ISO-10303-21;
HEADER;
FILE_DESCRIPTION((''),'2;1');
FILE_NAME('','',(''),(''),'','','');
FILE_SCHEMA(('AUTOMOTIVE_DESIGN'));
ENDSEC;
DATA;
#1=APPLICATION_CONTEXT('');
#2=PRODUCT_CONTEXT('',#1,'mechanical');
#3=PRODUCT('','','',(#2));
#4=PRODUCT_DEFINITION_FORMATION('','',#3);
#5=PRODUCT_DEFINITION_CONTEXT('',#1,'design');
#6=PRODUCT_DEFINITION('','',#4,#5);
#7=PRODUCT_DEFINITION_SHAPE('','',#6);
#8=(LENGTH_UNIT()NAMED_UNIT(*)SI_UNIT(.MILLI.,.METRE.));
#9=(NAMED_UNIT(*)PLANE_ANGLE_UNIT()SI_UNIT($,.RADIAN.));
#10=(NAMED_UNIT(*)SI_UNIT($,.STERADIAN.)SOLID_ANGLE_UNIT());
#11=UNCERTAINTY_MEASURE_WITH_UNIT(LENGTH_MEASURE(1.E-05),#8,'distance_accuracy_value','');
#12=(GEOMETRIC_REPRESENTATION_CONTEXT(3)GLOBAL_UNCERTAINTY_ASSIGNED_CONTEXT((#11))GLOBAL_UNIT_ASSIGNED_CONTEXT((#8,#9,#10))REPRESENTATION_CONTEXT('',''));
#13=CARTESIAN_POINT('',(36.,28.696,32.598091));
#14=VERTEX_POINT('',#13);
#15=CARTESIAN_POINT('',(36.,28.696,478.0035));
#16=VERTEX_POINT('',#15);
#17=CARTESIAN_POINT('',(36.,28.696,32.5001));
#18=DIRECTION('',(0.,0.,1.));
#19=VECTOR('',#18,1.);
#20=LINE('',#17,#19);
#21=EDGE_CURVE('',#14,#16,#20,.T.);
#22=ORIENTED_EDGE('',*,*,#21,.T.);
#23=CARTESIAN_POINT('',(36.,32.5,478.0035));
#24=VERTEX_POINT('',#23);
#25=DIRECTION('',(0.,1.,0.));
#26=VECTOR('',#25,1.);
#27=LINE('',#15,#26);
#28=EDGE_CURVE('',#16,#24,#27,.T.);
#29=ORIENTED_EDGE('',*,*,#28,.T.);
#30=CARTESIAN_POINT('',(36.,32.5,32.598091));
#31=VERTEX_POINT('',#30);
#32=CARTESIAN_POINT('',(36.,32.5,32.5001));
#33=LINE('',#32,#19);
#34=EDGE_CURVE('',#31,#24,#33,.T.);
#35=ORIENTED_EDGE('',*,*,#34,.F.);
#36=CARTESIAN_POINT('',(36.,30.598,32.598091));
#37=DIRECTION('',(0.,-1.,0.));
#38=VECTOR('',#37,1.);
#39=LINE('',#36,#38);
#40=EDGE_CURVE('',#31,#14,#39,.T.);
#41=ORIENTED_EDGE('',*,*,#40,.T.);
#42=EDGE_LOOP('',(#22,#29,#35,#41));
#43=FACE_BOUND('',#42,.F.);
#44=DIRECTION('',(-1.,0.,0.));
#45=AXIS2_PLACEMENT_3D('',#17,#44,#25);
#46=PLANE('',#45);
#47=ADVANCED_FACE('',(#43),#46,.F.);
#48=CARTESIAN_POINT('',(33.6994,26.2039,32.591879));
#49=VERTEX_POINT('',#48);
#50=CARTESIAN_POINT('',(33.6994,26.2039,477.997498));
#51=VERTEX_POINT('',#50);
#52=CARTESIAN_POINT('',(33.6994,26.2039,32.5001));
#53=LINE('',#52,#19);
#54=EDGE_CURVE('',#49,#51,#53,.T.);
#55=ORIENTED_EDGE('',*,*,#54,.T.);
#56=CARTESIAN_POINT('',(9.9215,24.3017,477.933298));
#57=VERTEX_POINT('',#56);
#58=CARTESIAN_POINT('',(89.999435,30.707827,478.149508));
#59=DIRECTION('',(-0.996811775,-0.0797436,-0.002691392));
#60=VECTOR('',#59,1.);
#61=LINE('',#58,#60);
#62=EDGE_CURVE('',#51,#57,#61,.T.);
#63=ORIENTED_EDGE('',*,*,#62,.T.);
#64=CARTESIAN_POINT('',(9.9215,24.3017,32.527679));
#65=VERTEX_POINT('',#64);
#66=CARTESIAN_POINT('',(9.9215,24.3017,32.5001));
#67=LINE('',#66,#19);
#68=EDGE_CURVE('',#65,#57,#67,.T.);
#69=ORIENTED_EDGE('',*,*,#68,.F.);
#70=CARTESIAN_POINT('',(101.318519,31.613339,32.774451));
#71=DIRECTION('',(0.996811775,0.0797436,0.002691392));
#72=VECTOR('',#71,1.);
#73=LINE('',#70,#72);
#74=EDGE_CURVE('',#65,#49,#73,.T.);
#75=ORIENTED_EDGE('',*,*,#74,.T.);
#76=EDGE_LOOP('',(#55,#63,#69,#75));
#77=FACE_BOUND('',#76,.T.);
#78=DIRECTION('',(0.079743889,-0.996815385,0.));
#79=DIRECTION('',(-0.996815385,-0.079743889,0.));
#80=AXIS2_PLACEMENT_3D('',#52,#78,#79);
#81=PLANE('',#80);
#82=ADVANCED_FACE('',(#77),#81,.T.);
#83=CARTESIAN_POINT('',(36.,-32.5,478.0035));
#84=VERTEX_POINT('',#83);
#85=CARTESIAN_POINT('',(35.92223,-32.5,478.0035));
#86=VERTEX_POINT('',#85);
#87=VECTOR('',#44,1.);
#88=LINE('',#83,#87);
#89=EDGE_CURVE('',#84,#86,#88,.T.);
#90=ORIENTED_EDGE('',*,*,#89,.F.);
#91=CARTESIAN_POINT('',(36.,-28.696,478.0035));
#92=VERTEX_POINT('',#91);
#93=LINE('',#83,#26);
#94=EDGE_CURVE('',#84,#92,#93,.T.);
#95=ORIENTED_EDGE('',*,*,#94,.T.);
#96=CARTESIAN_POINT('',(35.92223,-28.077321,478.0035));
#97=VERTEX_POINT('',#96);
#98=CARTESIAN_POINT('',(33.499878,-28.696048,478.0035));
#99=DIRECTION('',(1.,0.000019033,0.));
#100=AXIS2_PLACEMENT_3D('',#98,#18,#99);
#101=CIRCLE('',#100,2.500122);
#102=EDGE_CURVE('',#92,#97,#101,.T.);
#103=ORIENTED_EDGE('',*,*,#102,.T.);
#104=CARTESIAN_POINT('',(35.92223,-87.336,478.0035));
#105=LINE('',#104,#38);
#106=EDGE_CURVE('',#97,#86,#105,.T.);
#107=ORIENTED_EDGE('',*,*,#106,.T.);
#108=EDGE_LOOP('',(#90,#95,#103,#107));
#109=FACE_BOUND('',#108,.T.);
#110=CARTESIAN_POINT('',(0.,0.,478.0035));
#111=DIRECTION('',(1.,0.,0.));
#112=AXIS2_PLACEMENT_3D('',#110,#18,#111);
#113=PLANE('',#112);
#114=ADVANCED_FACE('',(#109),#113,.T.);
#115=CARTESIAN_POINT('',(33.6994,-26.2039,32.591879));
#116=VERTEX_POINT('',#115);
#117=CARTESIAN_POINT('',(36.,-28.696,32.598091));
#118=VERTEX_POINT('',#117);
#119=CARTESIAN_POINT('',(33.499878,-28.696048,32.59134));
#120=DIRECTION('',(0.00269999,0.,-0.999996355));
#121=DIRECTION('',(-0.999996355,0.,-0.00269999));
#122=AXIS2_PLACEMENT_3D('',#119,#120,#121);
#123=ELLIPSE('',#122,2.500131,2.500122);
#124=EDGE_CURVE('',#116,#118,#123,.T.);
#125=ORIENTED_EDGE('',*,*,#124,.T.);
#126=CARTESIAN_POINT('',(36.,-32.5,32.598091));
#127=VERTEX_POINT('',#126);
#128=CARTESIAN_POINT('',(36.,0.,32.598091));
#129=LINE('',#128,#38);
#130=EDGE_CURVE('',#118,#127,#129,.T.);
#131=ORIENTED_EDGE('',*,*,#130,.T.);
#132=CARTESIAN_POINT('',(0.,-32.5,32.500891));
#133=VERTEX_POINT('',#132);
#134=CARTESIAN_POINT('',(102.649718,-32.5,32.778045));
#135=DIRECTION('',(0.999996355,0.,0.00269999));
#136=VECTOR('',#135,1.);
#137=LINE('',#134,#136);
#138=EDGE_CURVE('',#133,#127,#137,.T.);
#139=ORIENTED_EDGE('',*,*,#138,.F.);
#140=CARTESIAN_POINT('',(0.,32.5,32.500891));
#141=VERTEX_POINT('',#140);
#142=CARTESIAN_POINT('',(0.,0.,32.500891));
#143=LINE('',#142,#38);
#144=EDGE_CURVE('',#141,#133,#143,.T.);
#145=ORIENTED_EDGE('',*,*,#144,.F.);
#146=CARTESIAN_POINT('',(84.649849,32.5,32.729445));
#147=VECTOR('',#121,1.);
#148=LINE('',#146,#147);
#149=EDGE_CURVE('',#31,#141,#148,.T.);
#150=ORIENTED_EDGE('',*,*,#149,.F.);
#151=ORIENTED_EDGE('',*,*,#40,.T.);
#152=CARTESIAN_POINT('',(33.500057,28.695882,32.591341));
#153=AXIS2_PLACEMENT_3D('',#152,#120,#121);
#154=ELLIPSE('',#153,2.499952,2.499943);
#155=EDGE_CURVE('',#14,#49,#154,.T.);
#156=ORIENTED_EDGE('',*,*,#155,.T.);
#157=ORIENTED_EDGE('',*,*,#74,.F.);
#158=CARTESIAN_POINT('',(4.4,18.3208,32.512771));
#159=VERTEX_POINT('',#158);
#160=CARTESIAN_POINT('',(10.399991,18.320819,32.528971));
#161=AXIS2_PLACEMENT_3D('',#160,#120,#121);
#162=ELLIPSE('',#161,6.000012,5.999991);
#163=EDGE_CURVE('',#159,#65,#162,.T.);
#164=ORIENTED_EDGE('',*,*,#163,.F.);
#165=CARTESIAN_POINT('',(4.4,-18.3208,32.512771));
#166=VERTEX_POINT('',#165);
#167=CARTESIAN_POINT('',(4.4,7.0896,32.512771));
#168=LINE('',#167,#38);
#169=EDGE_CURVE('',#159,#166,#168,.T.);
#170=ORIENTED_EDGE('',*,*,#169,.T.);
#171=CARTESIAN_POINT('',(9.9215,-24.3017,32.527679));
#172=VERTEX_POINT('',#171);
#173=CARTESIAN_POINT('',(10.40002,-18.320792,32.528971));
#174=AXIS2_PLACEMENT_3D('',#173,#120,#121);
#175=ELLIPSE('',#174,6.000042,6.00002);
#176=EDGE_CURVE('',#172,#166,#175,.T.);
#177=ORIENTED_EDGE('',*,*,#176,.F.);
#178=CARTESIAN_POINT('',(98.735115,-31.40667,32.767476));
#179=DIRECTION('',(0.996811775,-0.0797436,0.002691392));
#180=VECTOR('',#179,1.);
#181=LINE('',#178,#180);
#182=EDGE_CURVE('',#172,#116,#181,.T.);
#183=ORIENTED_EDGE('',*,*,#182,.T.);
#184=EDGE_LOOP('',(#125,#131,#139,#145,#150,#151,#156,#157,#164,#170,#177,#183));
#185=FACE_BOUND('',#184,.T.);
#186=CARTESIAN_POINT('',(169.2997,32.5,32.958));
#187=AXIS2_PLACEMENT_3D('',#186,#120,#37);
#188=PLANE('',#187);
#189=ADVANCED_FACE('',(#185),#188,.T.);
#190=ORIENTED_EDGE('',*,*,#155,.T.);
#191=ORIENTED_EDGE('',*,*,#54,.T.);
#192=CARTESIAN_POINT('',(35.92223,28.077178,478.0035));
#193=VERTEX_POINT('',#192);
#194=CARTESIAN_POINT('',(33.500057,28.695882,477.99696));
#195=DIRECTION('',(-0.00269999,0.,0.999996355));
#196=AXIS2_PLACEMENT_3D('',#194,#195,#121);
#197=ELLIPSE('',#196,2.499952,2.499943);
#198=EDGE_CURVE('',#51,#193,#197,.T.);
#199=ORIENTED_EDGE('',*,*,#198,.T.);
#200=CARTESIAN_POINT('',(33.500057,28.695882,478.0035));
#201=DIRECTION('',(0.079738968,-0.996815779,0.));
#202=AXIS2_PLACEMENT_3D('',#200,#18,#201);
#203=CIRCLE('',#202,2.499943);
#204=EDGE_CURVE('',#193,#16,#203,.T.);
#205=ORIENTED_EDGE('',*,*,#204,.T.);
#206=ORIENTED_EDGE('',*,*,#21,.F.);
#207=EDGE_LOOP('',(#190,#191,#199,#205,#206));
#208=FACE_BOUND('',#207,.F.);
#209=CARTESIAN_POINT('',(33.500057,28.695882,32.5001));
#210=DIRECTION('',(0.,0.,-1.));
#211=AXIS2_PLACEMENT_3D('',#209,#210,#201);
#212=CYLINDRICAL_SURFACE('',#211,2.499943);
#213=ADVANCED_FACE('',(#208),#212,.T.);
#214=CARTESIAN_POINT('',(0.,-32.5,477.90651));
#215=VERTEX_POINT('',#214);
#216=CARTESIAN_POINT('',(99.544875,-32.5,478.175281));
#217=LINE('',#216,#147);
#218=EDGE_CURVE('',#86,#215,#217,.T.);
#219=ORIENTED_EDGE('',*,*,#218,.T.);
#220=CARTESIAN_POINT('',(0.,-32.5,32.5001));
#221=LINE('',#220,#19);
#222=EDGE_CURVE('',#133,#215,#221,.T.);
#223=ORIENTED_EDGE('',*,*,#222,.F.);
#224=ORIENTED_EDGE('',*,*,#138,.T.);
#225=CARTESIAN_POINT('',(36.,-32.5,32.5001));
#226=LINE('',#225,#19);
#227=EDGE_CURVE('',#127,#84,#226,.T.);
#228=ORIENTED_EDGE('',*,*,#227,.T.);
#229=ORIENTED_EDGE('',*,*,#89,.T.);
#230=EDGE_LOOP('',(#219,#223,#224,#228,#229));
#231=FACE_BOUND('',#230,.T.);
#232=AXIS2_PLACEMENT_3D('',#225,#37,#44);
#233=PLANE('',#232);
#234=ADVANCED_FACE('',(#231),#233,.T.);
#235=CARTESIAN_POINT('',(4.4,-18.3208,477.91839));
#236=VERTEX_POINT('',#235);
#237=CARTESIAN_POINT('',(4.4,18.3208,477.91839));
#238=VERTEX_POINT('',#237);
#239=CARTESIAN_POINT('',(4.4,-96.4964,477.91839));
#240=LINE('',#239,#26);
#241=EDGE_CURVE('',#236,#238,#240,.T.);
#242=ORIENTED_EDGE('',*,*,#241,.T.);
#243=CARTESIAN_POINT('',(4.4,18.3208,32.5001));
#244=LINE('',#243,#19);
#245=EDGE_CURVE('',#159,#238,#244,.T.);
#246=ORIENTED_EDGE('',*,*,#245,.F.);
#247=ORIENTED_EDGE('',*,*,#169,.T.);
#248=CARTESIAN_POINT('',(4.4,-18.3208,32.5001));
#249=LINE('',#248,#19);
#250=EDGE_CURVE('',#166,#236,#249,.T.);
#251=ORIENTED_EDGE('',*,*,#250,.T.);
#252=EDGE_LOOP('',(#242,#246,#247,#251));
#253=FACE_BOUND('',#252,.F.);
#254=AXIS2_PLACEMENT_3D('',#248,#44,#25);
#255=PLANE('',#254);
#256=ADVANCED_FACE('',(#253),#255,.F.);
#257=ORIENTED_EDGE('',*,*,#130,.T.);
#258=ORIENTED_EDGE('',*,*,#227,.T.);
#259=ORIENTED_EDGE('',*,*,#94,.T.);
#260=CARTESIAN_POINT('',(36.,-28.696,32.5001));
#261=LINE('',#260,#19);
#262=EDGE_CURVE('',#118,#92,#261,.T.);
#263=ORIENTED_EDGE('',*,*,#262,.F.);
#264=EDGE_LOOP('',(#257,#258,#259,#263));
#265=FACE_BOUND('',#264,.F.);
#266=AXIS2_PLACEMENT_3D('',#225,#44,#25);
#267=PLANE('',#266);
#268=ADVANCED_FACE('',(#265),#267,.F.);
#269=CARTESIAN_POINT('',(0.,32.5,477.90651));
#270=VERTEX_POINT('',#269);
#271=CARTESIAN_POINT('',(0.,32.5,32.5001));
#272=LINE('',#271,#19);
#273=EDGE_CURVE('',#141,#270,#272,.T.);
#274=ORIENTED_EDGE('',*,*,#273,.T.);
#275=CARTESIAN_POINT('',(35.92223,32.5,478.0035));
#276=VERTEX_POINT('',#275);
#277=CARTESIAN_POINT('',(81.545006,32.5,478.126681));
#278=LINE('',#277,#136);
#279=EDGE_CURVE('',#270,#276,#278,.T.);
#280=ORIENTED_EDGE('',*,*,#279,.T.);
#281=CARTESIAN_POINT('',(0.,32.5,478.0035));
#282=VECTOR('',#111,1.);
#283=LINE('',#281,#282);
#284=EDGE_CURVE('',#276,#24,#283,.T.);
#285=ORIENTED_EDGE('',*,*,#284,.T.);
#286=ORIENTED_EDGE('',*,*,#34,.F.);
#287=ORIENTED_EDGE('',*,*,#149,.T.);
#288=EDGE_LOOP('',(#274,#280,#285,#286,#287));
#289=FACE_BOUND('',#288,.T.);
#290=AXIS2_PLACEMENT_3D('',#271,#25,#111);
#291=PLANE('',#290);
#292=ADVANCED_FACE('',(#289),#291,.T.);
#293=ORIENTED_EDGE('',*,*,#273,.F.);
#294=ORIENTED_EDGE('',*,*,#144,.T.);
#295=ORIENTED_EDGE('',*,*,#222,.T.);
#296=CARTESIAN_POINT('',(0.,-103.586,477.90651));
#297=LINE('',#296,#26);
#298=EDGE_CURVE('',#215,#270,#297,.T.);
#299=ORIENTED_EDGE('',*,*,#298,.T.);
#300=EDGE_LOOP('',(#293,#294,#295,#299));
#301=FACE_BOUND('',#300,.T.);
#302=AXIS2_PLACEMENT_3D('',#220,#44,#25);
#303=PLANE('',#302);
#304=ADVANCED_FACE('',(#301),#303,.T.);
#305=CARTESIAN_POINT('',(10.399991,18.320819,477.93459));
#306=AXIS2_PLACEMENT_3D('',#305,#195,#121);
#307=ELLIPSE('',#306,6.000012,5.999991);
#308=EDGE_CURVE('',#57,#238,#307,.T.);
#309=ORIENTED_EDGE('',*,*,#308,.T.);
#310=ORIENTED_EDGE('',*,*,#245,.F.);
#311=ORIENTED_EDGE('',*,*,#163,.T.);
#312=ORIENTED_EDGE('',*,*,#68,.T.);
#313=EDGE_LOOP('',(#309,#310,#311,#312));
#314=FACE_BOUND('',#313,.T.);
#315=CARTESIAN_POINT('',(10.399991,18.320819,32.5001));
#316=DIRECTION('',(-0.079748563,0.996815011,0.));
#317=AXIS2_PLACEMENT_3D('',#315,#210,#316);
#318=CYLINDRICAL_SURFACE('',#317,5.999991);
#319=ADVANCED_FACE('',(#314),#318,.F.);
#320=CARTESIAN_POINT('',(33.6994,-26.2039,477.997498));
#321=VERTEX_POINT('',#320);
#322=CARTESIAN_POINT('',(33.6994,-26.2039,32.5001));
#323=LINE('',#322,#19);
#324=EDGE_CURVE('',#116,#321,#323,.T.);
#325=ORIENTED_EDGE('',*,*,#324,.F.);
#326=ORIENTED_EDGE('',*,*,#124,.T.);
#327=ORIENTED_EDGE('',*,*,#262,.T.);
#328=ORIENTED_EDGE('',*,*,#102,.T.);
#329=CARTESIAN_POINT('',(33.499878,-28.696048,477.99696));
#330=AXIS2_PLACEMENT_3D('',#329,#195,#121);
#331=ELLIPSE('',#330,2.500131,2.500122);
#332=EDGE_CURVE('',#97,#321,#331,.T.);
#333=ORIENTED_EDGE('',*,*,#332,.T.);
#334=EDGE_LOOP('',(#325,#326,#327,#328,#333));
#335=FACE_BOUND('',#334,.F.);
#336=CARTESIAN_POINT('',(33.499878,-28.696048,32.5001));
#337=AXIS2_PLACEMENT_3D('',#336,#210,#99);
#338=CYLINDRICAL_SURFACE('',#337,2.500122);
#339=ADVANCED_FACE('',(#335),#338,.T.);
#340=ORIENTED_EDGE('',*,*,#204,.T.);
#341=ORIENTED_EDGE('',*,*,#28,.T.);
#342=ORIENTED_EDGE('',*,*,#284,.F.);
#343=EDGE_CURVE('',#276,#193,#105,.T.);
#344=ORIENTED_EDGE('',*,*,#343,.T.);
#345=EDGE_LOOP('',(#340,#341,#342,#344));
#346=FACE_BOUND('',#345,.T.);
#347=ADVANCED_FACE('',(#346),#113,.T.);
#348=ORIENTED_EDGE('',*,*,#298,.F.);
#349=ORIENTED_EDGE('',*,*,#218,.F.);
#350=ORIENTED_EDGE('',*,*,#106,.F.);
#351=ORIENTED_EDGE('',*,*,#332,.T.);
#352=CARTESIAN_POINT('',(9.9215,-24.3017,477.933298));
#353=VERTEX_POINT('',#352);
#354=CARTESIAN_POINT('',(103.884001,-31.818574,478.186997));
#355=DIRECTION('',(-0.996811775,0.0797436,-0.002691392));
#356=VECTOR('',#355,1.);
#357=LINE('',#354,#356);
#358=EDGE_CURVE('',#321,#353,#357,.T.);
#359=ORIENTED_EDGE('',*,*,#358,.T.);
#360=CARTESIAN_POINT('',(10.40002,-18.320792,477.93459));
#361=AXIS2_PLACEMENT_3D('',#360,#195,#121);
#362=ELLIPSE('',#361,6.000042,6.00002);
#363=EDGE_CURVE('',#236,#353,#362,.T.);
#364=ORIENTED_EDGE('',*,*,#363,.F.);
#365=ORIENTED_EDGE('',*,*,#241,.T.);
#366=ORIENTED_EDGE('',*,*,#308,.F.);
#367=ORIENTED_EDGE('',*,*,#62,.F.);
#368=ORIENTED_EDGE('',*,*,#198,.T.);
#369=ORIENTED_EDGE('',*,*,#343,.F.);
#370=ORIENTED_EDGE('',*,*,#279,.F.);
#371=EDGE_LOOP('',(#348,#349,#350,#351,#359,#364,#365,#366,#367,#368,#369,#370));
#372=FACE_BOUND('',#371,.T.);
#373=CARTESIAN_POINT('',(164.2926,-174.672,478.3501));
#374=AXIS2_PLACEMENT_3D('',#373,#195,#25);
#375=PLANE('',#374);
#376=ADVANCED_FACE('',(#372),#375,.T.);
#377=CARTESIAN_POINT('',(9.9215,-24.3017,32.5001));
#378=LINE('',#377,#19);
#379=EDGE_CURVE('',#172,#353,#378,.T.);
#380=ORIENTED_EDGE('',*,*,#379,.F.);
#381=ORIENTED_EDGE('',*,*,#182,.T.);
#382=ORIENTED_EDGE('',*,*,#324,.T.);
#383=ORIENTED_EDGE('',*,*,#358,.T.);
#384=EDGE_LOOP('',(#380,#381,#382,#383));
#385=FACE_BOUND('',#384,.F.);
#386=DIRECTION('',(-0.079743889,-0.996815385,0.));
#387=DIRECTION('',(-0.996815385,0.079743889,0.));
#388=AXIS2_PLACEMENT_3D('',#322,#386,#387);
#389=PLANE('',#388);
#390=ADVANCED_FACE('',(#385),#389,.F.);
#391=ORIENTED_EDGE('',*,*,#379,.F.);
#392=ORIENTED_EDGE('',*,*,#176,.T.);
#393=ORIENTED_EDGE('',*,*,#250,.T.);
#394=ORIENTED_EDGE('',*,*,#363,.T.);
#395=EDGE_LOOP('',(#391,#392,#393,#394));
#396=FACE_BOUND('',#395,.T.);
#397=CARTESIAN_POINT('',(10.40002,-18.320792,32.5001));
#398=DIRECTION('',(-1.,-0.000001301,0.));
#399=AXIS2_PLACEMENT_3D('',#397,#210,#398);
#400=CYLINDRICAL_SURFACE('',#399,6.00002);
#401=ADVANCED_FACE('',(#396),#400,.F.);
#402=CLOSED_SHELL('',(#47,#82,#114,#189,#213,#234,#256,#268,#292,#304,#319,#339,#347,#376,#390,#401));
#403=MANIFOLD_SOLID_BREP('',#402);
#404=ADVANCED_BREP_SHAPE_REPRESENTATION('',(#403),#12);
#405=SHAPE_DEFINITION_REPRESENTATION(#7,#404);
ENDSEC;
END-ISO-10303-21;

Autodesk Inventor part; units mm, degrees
ref_plane "Начальная плоскость" through (0, 0, 32.5001) normal (0, 0, 1) x (1, 0, 0)
ref_plane "Конечная плоскость" through (0, 0, 478.0035) normal (0, 0, 1) x (1, 0, 0)
sketch "Эскиз" plane through (0, 0, 0) normal (0, 0, 1) x (1, 0, 0)
  line L0 (36, -32.5) -> (0, -32.5)
  line L1 (36, -32.5) -> (36, -28.696)
  line L2 (33.6994, -26.2039) -> (9.9215, -24.3017)
  line L3 (4.4, -18.3208) -> (4.4, 18.3208)
  line L4 (33.6994, 26.2039) -> (9.9215, 24.3017)
  line L5 (36, 28.696) -> (36, 32.5)
  line L6 (0, 32.5) -> (36, 32.5)
  line L7 (0, -32.5) -> (0, 32.5)
  arc A0 (4.4, -18.3208) -> (9.9215, -24.3017) centre (10.4, -18.3208) ccw
  arc A1 (9.9215, 24.3017) -> (4.4, 18.3208) centre (10.4, 18.3208) ccw
  arc A2 (36, -28.696) -> (33.6994, -26.2039) centre (33.5, -28.696) ccw
  arc A3 (33.6994, 26.2039) -> (36, 28.696) centre (33.5, 28.696) ccw
  line L8 (0, 45.5) -> (0, -45.5) construction
  line L9 (-7.2974, 0) -> (43.7847, 0) construction
  point P0 (36, -26.388)
  point P1 (4.4, -23.86)
  point P2 (4.4, 23.86)
  point P3 (36, 26.388)
  dimension "d3" = 36
  dimension "d5" = 4.4
  dimension "d7" = 65
  dimension "d9" = 8.64
  dimension "d11" = 8.64
  dimension "d13" = 6.112
  dimension "d15" = 6.112
  dimension "d22" = 6
  dimension "d23" = 2.5
  dimension "d24" = 32.5
  dimension "d25" = 0
extrude "Тело" add sketch "Эскиз" along normal up to surface (445.5034 mm away) from surface at 32.5001
sketch "Sketch3" plane through (0, 0, 0) normal (0, 0, 1) x (1, 0, 0)
  line L0 (0, 0) -> (10, 0)
ref_plane "Work Plane7" through (0, 0, 0) normal (0, -1, 0) x (1, 0, 0)
sketch "Sketch4" plane through (0, 0, 0) normal (0, -1, 0) x (1, 0, 0)
  line L0 (-2, 32.5001) -> (12, 32.5001)
  line L1 (-2, 478.0035) -> (12, 478.0035)
  dimension "d29" = 445.5034
ref_plane "РабПлоскость8" through (169.2997, 32.5, 32.958) normal (0.0027, 0, -1) x (-1, 0, -0.0027)
split "Разделение1" plane through (169.2997, 32.5, 32.958) removes the side toward (0.0027, 0, -1)
ref_plane "РабПлоскость9" through (164.2926, -174.672, 478.3501) normal (-0.0027, 0, 1) x (1, 0, 0.0027)
split "Разделение2" plane through (164.2926, -174.672, 478.3501) removes the side toward (-0.0027, 0, 1)
equation "\"d3\" = b"
equation "\"d5\" = t1"
equation "\"d7\" = ParH"
equation "\"d9\" = msp_x1 + t2"
equation "\"d11\" = msp_x1 + t2"
equation "\"d13\" = -msp_x2 + t2"
equation "\"d15\" = -msp_x2 + t2"
equation "\"d22\" = R"
equation "\"d23\" = R1"
equation "\"d24\" = 0.5 * d7"
equation "\"d16\" = G_L"
equation "\"R1\" = 2.5"
equation "\"R\" = 6"
equation "\"t1\" = 4.4"
equation "\"t2\" = 7.2"
equation "\"ParH\" = 65"
equation "\"b\" = 36"
equation "\"msp_x1\" = 0.04 * b"
equation "\"msp_x2\" = -0.08 * t1 + 0.04 * b"
equation "\"G_L\" = d29"
equation "\"ex\" = 0"
equation "\"G_OFFSET_START\" = -32.50012"
equation "\"G_OFFSET_END\" = -35.90288"
equation "\"d26\" = -G_OFFSET_START"
equation "\"d27\" = G_OFFSET_END + B_L"
equation "\"B_L\" = 513.90637"
properties part number "Швеллер 6.5U-445,5 ГОСТ 8240-97" material "Сталь, мягкая"
